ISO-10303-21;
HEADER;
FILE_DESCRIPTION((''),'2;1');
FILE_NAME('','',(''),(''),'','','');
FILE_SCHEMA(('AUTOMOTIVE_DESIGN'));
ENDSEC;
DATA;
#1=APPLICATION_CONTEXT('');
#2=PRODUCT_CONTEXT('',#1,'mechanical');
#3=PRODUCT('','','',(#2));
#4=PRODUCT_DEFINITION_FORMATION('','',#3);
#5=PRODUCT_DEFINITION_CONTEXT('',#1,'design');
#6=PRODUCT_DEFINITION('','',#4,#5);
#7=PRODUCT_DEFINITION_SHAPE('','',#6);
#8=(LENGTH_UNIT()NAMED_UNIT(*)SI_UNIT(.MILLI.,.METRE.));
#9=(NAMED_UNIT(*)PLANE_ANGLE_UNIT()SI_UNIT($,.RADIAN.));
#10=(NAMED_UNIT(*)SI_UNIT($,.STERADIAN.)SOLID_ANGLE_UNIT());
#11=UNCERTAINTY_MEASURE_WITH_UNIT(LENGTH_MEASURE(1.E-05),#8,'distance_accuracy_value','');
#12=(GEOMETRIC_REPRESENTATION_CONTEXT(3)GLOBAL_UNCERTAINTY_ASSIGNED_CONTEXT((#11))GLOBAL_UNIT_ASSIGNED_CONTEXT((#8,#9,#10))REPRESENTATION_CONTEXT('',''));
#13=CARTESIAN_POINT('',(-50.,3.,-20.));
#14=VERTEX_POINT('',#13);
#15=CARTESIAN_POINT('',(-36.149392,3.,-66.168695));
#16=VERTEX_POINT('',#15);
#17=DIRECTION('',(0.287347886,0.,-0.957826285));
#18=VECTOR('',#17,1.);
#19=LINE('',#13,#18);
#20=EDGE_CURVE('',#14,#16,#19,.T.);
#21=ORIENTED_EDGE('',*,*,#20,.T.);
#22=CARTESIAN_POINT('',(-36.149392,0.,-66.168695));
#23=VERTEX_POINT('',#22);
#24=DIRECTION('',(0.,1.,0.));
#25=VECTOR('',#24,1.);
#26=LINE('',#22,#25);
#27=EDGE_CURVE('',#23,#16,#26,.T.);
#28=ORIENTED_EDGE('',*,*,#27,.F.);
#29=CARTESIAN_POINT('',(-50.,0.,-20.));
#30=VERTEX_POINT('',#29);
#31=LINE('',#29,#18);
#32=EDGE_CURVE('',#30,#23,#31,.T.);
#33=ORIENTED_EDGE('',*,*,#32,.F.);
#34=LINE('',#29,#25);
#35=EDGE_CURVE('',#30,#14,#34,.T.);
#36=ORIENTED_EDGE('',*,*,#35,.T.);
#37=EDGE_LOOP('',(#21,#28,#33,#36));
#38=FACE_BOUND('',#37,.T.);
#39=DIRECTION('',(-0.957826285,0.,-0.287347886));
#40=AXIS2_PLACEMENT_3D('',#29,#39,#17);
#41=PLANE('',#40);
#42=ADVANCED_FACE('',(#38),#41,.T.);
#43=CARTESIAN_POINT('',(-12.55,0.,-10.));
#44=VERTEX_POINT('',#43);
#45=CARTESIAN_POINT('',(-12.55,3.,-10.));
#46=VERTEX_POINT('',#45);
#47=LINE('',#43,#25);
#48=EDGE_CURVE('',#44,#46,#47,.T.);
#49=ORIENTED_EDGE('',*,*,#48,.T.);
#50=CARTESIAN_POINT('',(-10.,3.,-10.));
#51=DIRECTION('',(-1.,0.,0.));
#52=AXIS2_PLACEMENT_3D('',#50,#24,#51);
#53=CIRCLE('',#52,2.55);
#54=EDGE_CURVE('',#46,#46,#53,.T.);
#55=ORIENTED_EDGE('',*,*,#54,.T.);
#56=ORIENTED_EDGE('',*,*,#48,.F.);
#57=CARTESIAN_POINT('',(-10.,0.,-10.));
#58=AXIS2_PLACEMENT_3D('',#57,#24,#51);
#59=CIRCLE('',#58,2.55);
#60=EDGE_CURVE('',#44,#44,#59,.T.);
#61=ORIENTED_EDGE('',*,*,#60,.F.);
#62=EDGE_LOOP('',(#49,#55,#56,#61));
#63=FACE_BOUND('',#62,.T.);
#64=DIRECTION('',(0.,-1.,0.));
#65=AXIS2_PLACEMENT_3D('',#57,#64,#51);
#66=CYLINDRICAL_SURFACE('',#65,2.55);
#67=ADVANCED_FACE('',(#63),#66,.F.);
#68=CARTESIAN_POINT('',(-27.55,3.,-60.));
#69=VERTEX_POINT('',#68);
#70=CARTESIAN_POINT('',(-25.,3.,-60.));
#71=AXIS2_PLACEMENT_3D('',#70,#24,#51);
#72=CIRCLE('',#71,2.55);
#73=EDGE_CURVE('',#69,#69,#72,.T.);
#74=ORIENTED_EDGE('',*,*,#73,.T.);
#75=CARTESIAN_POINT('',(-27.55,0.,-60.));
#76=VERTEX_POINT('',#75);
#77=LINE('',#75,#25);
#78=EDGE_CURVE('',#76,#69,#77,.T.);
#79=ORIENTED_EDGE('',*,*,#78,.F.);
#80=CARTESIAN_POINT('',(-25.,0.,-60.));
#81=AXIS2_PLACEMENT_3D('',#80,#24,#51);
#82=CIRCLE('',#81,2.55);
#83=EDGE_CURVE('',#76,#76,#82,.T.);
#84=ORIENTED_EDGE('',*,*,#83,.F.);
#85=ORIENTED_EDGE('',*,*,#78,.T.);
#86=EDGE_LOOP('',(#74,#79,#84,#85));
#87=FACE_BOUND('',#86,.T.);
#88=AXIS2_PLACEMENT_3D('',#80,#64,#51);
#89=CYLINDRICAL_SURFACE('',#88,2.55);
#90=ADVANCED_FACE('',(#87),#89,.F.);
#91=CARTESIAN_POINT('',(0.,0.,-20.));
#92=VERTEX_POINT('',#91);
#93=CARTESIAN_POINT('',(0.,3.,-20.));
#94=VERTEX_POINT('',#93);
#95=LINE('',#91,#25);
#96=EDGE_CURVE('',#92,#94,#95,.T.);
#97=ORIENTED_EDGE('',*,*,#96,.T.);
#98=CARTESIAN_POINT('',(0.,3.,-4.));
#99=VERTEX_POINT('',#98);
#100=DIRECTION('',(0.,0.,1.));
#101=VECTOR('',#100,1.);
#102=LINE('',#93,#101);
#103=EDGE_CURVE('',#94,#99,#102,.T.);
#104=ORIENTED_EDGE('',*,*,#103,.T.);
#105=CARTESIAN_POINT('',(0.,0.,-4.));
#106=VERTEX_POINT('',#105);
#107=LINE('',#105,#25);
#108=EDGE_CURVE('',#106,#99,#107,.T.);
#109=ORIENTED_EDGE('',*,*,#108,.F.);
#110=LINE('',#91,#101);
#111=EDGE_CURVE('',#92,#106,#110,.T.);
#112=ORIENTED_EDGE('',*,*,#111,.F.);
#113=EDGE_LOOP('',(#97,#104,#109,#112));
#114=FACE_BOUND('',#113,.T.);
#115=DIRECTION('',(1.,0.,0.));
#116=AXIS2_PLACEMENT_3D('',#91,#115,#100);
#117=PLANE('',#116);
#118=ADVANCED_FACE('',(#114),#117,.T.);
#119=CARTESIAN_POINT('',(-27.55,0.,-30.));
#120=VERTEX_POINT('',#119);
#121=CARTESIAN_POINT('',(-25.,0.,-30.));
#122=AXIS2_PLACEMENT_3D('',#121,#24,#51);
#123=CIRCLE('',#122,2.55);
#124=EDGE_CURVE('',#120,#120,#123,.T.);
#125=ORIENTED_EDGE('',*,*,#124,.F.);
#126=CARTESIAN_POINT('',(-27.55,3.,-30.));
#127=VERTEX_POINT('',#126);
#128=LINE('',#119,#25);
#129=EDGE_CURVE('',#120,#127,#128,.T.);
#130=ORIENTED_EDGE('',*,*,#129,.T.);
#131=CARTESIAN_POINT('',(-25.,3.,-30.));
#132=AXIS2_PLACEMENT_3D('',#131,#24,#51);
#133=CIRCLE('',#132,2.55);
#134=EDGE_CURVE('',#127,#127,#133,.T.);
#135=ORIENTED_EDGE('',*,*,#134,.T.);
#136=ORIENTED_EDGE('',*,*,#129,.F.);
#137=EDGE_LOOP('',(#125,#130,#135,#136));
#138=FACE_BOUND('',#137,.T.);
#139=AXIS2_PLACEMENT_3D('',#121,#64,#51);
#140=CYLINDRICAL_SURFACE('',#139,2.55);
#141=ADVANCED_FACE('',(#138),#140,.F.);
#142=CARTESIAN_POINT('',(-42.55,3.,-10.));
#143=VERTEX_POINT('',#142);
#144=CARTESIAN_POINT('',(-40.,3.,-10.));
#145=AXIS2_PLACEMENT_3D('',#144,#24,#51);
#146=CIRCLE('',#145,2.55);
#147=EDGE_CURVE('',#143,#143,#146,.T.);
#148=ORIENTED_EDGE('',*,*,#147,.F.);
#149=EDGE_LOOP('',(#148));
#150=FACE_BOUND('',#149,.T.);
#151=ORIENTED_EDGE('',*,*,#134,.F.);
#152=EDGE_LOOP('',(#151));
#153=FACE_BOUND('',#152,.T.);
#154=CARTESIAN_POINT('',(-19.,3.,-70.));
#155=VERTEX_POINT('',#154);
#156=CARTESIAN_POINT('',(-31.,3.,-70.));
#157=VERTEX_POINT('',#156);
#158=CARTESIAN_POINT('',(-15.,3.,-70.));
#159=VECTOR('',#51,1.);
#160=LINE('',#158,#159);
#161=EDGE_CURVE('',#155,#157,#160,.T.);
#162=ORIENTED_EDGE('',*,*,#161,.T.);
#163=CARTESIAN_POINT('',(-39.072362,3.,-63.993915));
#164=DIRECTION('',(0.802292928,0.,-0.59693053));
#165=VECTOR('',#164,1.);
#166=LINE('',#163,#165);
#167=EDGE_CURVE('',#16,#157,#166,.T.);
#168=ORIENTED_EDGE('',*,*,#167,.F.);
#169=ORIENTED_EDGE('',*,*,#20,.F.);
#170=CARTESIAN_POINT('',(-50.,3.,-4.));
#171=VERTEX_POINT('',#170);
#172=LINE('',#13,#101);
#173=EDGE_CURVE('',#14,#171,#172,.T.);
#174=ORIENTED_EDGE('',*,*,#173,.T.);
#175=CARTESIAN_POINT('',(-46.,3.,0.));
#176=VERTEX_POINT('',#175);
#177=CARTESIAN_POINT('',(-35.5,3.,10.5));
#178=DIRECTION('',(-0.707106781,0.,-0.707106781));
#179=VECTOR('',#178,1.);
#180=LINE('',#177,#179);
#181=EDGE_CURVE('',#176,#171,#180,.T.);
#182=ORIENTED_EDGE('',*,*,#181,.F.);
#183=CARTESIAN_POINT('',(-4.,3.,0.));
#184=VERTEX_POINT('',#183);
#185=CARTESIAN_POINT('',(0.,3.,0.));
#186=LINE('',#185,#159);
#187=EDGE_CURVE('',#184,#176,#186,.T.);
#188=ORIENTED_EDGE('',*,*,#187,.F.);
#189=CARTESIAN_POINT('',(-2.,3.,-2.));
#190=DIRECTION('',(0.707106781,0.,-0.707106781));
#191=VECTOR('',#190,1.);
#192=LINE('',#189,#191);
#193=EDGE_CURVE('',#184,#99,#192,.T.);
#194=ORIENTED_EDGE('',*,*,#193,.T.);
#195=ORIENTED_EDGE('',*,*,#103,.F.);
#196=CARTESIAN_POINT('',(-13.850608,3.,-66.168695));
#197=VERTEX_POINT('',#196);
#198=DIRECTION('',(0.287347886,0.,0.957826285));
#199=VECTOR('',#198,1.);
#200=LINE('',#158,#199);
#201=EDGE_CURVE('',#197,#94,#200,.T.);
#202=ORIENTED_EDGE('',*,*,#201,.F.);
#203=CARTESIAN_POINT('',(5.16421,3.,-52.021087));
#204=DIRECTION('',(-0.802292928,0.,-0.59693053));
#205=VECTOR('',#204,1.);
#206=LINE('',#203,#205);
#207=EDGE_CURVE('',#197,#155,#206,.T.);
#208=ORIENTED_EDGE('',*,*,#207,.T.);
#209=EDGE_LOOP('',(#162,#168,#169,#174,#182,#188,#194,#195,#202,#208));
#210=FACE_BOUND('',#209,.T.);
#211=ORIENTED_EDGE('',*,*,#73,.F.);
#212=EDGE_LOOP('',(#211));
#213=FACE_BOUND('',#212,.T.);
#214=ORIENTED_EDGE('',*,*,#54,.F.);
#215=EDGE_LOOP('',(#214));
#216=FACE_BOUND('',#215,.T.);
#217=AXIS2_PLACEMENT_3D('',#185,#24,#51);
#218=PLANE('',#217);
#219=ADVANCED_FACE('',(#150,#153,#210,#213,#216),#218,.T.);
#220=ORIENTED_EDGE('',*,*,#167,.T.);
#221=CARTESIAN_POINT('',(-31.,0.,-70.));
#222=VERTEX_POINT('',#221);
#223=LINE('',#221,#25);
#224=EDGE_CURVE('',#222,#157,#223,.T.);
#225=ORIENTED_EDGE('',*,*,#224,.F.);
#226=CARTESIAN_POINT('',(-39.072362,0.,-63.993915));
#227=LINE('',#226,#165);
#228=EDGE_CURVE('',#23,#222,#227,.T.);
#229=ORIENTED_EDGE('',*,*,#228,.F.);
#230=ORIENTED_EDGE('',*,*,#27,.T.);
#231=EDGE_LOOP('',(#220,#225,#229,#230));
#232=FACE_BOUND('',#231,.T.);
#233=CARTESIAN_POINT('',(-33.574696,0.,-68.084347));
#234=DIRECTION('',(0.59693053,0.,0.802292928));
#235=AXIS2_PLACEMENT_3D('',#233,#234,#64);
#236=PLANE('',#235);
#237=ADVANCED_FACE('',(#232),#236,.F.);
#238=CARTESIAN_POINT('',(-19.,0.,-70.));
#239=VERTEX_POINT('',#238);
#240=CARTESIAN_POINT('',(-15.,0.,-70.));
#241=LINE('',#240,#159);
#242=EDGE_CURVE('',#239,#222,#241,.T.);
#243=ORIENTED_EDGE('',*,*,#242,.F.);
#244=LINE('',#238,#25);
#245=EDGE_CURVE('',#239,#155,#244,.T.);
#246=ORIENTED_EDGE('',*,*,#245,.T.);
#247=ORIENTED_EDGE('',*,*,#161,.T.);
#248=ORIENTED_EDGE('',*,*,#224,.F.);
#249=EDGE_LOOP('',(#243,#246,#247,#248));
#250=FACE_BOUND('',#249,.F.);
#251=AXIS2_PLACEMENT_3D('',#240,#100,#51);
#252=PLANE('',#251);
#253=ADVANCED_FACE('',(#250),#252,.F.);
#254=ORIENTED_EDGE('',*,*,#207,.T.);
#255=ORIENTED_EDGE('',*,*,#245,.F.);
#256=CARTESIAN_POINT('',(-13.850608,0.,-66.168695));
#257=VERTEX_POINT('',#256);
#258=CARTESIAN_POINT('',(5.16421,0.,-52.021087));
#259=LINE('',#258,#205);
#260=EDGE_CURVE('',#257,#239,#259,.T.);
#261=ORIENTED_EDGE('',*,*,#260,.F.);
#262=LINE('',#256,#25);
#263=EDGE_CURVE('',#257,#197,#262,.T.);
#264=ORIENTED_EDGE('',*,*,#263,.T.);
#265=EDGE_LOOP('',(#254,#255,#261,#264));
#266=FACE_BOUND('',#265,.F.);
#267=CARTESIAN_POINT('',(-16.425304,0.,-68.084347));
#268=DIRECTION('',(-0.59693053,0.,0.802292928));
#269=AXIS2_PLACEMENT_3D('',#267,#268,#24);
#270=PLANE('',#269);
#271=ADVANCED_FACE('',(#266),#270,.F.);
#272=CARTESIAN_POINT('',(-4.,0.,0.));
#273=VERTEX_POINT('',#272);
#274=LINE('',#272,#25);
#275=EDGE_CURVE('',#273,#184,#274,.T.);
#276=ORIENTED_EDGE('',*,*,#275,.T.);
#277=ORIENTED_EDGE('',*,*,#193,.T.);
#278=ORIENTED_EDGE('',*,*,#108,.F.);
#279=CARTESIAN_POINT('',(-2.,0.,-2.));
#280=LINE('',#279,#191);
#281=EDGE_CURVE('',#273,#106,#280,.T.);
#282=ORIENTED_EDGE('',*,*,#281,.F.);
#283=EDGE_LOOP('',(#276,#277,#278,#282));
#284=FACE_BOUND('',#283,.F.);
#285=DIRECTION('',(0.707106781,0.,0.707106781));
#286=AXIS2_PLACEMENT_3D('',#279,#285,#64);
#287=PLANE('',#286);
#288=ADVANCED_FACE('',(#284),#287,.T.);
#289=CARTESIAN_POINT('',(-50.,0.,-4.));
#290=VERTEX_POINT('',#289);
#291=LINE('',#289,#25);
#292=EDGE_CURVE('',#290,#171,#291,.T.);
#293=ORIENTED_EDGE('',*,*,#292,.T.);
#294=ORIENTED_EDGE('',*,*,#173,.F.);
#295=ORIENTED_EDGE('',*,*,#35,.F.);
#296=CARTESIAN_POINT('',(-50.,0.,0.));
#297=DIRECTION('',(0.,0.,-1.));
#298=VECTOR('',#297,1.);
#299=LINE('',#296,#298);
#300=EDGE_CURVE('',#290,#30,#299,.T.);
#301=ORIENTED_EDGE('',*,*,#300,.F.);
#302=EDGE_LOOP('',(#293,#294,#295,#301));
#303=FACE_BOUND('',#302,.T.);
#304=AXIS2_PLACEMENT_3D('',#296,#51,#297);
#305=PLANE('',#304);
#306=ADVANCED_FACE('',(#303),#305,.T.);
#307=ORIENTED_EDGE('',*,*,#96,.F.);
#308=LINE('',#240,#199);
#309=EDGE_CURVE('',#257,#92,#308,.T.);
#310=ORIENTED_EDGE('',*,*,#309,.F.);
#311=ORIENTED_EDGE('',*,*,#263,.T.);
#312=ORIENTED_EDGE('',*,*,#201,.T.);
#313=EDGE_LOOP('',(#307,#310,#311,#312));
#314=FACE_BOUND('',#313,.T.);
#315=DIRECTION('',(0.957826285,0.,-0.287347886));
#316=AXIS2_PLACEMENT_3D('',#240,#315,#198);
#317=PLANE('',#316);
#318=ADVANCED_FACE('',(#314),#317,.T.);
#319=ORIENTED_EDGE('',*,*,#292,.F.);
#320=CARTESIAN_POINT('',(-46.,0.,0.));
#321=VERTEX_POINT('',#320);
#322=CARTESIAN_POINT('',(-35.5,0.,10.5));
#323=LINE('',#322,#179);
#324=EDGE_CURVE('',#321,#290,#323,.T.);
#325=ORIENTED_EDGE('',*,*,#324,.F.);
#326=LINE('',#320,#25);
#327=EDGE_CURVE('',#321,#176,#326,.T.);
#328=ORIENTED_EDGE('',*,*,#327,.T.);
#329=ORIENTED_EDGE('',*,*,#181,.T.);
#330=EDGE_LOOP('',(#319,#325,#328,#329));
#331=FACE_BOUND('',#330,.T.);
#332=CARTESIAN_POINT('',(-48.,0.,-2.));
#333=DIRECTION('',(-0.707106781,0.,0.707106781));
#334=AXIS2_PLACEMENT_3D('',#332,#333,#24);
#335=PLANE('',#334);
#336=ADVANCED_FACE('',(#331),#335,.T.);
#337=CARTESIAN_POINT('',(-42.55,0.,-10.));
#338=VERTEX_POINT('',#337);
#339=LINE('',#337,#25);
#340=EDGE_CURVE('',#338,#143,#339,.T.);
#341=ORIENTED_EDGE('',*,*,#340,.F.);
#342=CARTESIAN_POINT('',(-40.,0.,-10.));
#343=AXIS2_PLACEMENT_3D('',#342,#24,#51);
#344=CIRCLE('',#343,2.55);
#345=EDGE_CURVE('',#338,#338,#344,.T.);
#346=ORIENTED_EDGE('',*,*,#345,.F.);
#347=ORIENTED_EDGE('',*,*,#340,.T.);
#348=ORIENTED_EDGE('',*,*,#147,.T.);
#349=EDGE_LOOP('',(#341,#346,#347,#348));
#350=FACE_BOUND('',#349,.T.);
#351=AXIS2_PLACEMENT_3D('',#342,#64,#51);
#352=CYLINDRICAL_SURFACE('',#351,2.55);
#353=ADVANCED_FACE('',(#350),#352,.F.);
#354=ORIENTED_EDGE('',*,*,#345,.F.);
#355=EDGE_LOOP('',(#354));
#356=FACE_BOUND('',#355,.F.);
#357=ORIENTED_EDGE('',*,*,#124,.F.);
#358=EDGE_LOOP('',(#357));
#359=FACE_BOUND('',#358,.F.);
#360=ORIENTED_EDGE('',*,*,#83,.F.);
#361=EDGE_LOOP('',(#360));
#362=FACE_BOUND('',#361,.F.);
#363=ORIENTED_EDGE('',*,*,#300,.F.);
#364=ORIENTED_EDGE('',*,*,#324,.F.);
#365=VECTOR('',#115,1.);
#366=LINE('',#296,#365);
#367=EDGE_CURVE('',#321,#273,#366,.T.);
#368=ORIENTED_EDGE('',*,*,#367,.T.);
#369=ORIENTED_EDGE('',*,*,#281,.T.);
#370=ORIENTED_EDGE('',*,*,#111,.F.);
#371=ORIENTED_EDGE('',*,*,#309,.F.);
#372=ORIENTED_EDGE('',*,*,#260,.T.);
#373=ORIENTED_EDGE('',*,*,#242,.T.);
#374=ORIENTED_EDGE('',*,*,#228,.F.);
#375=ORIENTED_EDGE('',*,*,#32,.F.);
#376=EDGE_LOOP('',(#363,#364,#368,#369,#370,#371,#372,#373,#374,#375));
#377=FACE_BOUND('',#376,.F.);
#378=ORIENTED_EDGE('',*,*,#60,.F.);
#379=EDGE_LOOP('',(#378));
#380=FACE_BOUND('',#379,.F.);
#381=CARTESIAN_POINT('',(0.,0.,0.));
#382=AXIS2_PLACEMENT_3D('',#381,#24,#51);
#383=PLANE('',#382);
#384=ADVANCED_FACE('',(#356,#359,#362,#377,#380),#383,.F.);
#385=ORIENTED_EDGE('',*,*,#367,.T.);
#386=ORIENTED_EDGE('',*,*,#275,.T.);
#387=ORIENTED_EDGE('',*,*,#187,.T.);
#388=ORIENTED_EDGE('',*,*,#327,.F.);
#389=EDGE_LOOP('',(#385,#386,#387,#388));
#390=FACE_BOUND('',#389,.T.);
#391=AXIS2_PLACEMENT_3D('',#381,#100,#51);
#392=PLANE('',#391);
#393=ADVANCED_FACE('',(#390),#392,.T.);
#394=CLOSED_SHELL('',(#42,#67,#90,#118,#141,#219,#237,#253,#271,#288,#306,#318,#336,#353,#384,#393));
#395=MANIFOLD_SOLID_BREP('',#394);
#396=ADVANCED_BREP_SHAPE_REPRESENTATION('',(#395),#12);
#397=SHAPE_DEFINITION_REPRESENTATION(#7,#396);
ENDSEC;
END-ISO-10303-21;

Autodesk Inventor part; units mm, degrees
ref_plane "YZ Plane" through (0, 0, 0) normal (1, 0, 0) x (0, 1, 0)
ref_plane "XZ Plane" through (0, 0, 0) normal (0, 1, 0) x (-1, 0, 0)
ref_plane "XY Plane" through (0, 0, 0) normal (0, 0, 1) x (1, 0, 0)
sketch "草图1" plane through (0, 0, 0) normal (0, 1, 0) x (-1, 0, 0)
  line L0 (0, 0) -> (50, 0)
  line L1 (50, 0) -> (50, -20)
  line L2 (50, -20) -> (0, -20)
  line L3 (0, -20) -> (0, 0)
  line L4 (35, -20) -> (15, -20)
  line L5 (15, -20) -> (15, -70)
  line L6 (15, -70) -> (35, -70)
  line L7 (35, -70) -> (35, -20)
  line L8 (25, 0) -> (25, -7.1636)
  line L9 (50, -20) -> (35, -70)
  line L10 (15, -70) -> (0, -20)
  circle A0 centre (40, -10) radius 2.55
  circle A1 centre (10, -10) radius 2.55
  circle A2 centre (25, -30) radius 2.55
  circle A3 centre (25, -60) radius 2.55
  line L11 (50, -10) -> (45.4992, -10)
  dimension "d0" = 50
  dimension "d1" = 20
  dimension "d2" = 20
  dimension "d3" = 50
  dimension "d4" = 5.1
  dimension "d5" = 10
  dimension "d6" = 10
  dimension "d7" = 10
extrude "拉伸1" add sketch "草图1" along normal blind 3
chamfer "倒角1" distance 4 angle 45 2 edges at (0, 1.5, 0) (-50, 1.5, 0)
chamfer "倒角2" distance 4 angle 45 2 edges at (-15, 1.5, -70) (-35, 1.5, -70)
properties part number "body_fix2"
